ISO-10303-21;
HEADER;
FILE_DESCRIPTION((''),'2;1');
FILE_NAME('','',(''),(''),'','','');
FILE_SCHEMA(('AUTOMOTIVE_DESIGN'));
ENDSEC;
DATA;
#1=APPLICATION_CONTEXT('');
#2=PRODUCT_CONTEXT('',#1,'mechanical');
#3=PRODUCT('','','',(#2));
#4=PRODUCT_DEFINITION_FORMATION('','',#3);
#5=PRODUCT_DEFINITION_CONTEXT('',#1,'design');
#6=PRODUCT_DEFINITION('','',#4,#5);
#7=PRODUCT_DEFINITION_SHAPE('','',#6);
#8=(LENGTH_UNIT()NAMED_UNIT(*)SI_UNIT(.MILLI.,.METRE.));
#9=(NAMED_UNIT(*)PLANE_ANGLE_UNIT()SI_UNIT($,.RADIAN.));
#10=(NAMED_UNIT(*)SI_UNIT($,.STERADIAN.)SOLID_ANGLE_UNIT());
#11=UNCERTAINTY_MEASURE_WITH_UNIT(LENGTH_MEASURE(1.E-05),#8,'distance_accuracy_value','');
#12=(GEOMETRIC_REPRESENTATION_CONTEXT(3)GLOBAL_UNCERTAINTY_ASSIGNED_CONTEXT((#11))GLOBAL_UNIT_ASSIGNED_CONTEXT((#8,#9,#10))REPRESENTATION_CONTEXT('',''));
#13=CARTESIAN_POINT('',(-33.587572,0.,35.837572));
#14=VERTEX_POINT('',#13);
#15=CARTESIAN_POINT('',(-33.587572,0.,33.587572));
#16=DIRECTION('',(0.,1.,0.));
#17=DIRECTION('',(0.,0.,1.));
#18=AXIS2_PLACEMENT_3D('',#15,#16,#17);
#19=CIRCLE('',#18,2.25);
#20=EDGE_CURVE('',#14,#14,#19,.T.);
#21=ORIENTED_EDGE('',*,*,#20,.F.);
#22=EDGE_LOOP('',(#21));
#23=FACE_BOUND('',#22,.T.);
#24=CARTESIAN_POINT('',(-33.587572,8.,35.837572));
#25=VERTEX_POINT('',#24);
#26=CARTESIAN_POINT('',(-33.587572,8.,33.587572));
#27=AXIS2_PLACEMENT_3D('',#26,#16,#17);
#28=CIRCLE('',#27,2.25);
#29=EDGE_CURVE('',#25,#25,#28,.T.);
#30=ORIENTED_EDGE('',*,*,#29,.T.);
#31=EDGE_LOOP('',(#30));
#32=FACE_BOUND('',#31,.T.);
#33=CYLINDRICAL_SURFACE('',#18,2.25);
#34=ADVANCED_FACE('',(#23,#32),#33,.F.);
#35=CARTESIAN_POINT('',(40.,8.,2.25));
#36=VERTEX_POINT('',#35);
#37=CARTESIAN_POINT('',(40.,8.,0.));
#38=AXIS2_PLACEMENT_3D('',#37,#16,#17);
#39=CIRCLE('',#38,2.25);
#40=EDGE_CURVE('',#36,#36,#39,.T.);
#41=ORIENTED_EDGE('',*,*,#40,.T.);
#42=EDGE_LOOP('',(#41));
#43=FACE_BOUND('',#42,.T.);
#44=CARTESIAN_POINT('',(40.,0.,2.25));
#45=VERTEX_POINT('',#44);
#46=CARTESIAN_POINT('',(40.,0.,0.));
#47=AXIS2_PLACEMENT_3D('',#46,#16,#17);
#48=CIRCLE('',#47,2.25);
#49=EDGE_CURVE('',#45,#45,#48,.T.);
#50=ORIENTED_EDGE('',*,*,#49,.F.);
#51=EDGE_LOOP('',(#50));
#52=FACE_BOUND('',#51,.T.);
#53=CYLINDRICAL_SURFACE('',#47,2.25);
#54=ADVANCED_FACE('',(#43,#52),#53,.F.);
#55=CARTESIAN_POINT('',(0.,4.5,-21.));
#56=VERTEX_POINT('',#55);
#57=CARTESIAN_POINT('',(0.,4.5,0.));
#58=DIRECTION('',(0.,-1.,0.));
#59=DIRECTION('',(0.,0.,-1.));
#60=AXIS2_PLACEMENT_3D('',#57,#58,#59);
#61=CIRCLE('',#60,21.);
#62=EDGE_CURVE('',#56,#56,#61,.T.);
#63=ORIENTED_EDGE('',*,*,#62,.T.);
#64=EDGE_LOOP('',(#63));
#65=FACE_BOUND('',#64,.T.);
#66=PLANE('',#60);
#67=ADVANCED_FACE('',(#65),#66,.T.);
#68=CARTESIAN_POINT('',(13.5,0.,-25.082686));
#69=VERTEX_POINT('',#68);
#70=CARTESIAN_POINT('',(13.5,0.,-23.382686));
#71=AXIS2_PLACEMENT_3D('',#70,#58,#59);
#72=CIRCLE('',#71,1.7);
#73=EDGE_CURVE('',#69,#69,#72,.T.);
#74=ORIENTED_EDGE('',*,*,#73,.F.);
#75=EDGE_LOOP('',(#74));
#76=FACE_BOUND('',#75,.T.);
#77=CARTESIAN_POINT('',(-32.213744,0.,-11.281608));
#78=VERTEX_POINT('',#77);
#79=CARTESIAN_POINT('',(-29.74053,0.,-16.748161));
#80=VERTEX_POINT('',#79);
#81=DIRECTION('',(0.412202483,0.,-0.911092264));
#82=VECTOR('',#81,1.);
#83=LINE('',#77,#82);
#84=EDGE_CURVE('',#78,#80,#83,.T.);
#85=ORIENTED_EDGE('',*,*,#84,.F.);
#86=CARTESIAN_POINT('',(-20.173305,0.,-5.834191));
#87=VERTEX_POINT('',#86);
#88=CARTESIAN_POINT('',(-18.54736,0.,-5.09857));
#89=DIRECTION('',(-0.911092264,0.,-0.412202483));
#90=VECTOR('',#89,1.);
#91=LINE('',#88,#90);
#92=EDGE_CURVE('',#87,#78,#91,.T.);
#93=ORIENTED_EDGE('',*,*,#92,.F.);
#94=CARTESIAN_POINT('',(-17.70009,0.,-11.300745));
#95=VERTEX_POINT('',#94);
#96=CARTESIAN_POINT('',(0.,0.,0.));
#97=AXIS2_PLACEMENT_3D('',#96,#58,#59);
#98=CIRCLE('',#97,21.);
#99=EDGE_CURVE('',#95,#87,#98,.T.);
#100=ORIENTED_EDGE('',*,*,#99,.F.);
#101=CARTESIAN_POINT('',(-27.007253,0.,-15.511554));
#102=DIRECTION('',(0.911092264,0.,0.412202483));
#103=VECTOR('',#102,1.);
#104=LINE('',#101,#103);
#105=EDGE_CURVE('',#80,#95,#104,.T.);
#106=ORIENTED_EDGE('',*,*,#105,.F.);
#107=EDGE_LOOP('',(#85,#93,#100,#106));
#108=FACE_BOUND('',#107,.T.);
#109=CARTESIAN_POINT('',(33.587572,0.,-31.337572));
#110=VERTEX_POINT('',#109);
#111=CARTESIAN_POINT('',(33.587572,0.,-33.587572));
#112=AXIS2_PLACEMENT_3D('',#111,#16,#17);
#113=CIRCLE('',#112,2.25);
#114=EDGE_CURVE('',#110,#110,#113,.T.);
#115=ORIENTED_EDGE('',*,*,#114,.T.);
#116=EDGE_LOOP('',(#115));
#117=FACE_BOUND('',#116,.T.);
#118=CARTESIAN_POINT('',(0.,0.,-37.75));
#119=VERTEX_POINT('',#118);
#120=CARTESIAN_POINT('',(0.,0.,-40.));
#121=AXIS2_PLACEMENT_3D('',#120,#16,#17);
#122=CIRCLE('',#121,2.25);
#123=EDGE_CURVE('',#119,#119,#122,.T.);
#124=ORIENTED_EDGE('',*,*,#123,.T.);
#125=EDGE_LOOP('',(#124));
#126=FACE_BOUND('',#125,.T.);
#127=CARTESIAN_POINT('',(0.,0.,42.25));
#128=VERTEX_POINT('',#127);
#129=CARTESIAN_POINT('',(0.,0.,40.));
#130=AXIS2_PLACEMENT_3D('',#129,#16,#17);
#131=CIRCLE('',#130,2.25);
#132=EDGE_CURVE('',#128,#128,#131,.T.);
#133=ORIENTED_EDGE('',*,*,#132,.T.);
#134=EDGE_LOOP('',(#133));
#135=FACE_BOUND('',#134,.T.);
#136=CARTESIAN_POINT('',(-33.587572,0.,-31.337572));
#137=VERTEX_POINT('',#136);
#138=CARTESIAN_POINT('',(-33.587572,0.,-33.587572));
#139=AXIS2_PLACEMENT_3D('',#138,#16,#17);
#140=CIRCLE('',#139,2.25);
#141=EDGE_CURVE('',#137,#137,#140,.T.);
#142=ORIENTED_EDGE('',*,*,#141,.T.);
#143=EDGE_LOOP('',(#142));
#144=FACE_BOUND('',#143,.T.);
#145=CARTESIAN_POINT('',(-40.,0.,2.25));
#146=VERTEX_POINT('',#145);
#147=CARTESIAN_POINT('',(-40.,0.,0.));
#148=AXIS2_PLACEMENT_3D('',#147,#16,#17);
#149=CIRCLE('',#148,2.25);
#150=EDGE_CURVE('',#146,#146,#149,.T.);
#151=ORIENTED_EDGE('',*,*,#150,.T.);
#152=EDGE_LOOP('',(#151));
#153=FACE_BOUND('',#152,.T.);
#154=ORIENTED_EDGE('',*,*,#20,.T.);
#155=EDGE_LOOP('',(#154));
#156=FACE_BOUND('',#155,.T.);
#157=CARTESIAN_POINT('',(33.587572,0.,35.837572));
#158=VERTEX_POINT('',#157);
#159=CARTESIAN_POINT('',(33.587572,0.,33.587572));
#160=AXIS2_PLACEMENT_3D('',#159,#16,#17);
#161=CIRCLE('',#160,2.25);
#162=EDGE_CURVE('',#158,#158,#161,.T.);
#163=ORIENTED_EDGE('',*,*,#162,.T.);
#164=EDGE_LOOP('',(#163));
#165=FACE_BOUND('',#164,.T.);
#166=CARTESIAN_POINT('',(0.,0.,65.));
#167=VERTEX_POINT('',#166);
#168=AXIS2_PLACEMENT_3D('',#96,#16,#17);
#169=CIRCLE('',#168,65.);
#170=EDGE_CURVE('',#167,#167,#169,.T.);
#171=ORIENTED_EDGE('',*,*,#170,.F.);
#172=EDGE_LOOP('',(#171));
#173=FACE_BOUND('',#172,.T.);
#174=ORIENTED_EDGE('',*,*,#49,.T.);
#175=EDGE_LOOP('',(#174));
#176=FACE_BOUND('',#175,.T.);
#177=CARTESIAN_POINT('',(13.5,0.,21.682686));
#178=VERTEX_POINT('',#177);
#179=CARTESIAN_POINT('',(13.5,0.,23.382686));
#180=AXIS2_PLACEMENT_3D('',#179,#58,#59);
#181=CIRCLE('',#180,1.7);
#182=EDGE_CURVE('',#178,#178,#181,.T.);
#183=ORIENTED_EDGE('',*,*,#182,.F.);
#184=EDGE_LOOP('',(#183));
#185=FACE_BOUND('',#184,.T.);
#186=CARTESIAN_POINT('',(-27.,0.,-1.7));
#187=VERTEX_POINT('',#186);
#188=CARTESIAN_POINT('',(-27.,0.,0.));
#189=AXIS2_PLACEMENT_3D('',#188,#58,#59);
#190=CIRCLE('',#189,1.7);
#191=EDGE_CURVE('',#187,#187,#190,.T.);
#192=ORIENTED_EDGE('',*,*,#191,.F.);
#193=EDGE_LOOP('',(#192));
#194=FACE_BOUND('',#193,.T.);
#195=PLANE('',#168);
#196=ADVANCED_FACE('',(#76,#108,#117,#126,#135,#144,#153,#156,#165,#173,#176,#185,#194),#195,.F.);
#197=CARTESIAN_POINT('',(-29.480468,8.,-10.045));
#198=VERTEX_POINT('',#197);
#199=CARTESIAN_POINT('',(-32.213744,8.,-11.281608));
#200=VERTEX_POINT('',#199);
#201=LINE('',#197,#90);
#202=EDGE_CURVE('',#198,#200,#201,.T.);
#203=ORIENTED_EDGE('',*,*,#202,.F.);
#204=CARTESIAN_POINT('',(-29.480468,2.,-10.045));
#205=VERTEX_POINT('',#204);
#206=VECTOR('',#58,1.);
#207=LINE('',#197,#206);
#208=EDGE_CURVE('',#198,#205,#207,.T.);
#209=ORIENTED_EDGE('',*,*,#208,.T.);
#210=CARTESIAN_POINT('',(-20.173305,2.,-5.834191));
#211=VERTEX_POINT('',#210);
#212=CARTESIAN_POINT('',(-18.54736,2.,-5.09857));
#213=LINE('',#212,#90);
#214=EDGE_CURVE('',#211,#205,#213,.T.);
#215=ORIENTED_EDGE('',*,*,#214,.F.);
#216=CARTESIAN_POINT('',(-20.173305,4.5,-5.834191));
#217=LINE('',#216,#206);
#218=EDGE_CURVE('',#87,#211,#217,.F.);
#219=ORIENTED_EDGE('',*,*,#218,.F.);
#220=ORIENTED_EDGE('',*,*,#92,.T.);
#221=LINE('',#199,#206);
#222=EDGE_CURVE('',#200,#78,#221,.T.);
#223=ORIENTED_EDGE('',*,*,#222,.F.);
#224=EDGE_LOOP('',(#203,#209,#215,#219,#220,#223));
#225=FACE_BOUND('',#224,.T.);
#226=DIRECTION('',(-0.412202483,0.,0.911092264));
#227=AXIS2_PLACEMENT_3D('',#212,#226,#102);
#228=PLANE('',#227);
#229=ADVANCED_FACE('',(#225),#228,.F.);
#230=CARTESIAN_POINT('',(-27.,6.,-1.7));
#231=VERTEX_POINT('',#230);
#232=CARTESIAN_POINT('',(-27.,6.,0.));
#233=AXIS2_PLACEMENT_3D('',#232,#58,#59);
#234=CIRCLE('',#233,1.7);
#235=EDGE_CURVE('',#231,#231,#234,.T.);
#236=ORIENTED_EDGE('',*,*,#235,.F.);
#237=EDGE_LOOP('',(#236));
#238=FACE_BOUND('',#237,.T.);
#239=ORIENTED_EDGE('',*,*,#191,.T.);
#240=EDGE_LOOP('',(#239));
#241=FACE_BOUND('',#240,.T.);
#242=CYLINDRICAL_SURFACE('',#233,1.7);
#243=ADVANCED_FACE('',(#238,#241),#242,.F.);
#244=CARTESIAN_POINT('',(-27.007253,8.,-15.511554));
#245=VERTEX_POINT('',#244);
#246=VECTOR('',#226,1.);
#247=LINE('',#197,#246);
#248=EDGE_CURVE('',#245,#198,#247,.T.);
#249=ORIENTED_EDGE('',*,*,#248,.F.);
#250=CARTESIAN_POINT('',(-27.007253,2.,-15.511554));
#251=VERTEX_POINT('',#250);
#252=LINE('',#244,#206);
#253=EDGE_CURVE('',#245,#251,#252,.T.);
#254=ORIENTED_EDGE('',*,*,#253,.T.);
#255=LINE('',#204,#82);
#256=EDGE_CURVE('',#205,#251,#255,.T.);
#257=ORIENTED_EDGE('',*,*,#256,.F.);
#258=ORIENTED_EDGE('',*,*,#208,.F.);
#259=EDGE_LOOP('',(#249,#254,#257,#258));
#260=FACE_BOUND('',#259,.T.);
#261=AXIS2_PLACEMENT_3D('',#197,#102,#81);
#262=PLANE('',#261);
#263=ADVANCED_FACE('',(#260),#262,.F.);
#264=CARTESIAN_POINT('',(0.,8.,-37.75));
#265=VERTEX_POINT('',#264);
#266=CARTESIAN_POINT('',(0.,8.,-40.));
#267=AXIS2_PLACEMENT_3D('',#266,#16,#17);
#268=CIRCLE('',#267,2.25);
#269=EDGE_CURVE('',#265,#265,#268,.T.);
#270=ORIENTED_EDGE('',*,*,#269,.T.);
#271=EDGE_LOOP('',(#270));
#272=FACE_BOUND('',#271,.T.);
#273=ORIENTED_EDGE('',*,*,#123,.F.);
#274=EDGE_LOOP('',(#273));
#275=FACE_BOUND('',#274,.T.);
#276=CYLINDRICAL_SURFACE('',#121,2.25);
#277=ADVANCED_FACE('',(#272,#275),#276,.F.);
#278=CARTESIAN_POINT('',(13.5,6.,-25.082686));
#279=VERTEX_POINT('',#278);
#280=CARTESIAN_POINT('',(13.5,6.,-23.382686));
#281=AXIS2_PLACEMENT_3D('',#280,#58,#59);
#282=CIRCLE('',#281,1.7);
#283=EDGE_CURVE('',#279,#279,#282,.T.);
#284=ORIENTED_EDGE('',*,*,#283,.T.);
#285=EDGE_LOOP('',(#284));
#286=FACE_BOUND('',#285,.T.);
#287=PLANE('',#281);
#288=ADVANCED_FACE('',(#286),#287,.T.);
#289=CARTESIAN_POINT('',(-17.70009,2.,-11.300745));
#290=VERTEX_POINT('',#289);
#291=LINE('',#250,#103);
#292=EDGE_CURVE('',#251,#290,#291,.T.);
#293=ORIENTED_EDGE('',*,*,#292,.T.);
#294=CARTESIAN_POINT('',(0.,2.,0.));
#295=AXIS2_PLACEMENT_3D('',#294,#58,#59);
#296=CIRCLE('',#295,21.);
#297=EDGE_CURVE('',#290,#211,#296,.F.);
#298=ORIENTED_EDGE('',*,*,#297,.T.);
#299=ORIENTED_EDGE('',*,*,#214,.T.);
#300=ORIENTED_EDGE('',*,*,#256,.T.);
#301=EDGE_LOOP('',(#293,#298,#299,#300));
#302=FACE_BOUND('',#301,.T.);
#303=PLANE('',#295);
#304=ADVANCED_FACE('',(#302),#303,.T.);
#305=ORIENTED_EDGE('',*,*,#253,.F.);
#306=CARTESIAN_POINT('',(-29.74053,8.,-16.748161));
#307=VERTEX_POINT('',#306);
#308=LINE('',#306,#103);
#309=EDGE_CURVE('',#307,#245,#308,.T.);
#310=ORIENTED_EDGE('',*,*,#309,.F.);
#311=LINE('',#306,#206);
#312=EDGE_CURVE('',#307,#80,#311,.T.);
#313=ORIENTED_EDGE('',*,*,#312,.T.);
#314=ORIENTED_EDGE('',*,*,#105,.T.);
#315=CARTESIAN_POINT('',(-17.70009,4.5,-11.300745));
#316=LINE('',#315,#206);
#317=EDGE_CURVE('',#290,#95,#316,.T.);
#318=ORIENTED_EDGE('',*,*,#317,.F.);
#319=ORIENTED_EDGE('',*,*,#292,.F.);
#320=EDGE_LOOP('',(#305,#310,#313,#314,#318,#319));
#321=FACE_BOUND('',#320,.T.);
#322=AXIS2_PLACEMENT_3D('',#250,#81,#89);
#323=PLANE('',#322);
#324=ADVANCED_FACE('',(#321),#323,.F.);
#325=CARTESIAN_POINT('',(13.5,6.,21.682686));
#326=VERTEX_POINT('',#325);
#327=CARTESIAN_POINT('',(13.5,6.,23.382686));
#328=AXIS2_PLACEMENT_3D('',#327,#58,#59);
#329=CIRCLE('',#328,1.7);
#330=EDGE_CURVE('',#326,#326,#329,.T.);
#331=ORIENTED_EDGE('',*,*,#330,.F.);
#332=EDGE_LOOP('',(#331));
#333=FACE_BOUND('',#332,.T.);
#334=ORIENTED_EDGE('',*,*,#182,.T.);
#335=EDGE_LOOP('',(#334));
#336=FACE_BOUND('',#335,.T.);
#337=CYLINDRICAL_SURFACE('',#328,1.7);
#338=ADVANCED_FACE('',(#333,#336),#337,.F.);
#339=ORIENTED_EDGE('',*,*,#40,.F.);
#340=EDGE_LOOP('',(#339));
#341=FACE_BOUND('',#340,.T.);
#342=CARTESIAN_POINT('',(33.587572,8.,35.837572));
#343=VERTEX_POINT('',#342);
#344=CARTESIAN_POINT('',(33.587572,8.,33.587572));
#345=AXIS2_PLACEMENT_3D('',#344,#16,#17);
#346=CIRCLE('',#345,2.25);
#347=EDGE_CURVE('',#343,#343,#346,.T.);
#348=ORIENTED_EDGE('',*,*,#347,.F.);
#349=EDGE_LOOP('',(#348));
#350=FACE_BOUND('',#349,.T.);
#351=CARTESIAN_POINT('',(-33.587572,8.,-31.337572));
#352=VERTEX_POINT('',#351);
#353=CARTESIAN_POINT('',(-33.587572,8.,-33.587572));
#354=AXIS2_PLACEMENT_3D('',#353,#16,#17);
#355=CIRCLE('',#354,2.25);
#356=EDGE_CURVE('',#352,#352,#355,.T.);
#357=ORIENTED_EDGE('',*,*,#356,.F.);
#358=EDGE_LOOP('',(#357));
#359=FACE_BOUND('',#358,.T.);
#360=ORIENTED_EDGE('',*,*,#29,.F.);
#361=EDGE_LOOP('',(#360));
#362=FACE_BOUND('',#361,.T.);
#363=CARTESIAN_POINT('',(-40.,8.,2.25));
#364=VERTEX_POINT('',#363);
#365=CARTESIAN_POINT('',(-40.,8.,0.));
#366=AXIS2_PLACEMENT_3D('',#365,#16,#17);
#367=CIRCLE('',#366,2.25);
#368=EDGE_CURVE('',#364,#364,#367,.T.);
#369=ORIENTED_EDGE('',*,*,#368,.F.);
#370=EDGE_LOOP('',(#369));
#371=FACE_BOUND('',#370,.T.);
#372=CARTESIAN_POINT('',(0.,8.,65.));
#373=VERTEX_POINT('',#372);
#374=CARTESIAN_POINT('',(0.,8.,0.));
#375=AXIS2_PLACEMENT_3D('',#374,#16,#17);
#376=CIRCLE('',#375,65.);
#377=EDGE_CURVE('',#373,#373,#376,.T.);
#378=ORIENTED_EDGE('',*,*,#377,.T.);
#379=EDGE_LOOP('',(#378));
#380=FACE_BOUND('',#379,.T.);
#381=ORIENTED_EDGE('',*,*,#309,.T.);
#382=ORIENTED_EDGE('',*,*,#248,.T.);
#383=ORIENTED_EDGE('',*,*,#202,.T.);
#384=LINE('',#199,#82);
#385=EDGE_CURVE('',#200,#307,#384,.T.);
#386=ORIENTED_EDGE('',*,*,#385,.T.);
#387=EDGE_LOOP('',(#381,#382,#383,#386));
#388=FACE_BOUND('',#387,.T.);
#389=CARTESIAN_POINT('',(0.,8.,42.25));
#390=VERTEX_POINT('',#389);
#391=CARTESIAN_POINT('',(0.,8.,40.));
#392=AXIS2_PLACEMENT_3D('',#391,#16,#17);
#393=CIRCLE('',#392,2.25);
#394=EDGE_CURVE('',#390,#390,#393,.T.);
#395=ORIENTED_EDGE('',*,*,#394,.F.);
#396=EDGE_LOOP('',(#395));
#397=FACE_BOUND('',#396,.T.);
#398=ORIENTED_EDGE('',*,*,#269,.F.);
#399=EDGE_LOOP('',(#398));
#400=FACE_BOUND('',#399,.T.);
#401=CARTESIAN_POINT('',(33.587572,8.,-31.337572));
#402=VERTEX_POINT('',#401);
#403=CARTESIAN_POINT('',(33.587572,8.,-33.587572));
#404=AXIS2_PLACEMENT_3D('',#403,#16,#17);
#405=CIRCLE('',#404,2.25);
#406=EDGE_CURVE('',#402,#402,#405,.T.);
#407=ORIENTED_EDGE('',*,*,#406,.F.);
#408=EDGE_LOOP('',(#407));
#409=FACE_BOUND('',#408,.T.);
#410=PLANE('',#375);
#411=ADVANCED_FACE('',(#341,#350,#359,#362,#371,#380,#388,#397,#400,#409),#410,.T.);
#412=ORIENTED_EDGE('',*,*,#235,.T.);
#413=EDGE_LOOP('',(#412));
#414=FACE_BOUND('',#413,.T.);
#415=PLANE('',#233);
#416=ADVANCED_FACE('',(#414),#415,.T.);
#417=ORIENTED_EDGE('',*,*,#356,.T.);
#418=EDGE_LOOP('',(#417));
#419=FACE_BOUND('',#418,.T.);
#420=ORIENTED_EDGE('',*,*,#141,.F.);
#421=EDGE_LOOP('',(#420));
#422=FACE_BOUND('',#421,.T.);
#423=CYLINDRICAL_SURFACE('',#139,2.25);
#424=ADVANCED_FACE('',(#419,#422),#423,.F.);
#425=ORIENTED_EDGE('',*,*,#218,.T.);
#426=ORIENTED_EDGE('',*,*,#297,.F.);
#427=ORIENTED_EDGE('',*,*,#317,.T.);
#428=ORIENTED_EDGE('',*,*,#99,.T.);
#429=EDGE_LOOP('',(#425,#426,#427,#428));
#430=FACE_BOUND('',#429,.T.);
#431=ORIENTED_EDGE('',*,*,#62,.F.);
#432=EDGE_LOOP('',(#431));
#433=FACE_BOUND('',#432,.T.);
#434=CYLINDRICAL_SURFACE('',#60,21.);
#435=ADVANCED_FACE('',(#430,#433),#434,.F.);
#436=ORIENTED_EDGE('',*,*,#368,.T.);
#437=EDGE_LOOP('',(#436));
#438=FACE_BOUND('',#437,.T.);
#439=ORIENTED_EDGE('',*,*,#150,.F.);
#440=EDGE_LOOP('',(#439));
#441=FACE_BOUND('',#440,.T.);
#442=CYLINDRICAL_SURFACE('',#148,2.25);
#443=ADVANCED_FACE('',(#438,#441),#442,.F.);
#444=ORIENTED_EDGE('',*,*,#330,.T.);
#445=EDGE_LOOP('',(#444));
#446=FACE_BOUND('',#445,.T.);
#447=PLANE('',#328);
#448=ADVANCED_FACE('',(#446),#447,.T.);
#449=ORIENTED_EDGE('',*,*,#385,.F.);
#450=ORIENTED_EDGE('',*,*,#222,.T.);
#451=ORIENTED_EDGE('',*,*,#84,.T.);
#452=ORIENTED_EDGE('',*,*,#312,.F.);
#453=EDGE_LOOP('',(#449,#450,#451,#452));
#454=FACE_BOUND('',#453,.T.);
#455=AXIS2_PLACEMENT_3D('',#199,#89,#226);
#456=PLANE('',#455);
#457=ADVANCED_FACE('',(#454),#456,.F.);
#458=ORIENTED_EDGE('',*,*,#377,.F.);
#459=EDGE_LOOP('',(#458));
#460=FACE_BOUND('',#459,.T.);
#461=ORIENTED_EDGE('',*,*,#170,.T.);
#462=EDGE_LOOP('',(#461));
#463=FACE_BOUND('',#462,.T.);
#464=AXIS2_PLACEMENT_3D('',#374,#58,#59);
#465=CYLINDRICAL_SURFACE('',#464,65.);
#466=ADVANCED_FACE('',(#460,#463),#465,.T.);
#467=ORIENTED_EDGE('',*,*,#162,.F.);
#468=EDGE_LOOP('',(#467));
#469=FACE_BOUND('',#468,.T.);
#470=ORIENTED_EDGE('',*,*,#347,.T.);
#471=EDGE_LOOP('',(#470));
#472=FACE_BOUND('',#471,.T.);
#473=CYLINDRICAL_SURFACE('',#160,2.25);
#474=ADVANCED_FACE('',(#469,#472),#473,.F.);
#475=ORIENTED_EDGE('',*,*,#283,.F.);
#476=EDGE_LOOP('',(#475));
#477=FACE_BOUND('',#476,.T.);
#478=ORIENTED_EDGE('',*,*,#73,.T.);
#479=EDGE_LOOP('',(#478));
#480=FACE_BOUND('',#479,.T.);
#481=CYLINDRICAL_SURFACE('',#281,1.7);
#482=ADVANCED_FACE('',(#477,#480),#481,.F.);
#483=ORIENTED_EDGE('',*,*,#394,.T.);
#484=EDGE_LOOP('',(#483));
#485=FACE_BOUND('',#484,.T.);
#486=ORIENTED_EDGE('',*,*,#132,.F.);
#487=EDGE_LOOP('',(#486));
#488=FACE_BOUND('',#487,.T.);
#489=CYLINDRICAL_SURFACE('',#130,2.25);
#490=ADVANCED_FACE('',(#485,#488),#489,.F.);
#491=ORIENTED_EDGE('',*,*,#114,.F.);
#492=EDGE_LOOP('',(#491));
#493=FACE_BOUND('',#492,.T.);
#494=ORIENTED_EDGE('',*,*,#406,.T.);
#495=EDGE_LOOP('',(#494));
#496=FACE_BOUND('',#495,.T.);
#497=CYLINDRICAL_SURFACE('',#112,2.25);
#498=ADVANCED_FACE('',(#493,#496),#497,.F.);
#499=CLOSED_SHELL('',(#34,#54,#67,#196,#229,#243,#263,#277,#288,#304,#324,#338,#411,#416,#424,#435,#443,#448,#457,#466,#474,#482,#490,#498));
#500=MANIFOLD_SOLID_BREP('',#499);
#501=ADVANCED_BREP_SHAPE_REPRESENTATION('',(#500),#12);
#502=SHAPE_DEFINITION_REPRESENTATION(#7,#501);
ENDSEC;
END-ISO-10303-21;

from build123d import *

# Parameters (mm, degrees)
SKETCH2_R           = 65
BOSS_EXTRUDE1_DEPTH = 8
SKETCH3_R           = 21
CUT_EXTRUDE1_DEPTH  = 4.5
SKETCH4_R           = 2.25
CUT_EXTRUDE2_DEPTH  = 93.271338995
SKETCH5_R           = 2.25
CUT_EXTRUDE3_DEPTH  = 93.271338995
PATH_TRENCH_DEPTH   = 2
CDG_R               = 1.7
CDG_CUT_DEPTH       = 6
CUT_EXTRUDE4_DEPTH  = 93.271338995


with BuildPart() as part:
    # Sketch2 → Boss-Extrude1 (new body)
    with BuildSketch(Plane(origin=(0, 0, 0), x_dir=(1, 0, 0), z_dir=(0, 1, 0))):
        with Locations(Location((0, 0, 0), (0, 0, 270))):
            Circle(SKETCH2_R)
    extrude(amount=BOSS_EXTRUDE1_DEPTH)

    # Sketch3 → Cut-Extrude1 (cut)
    with BuildSketch(Plane.XZ):
        with Locations(Location((0, 0, 0), (0, 0, 270))):
            Circle(SKETCH3_R)
    extrude(amount=-CUT_EXTRUDE1_DEPTH, mode=Mode.SUBTRACT)

    # Sketch4 → Cut-Extrude2 (cut, through all)
    with BuildSketch(Plane(origin=(0, 8, 0), x_dir=(1, 0, 0), z_dir=(0, 1, 0))):
        with Locations(Location((-40, 0, 0), (0, 0, 270))):
            Circle(SKETCH4_R)
        with Locations(Location((0, 40, 0), (0, 0, 270))):
            Circle(SKETCH4_R)
        with Locations(Location((40, 0, 0), (0, 0, 270))):
            Circle(SKETCH4_R)
        with Locations(Location((0, -40, 0), (0, 0, 270))):
            Circle(SKETCH4_R)
    extrude(amount=-CUT_EXTRUDE2_DEPTH, mode=Mode.SUBTRACT)

    # Sketch5 → Cut-Extrude3 (cut, through all)
    with BuildSketch(Plane(origin=(0, 8, 0), x_dir=(1, 0, 0), z_dir=(0, 1, 0))):
        with Locations(Location((-33.587572106, 33.587572106, 0), (0, 0, 270))):
            Circle(SKETCH5_R)
        with Locations(Location((33.587572106, 33.587572106, 0), (0, 0, 270))):
            Circle(SKETCH5_R)
        with Locations(Location((33.587572106, -33.587572106, 0), (0, 0, 270))):
            Circle(SKETCH5_R)
        with Locations(Location((-33.587572106, -33.587572106, 0), (0, 0, 270))):
            Circle(SKETCH5_R)
    extrude(amount=-CUT_EXTRUDE3_DEPTH, mode=Mode.SUBTRACT)

    # Sketch6 → path_trench (cut)
    with BuildSketch(Plane.XZ):
        Polygon((-29.480467623, -10.045000187), (-27.007252724, -15.511553769), (-16.07414556, -10.565123971), (-18.547360459, -5.098570389), align=None)
    extrude(amount=-PATH_TRENCH_DEPTH, mode=Mode.SUBTRACT)

    # CDG → CDG_CUT (cut)
    with BuildSketch(Plane.XZ):
        with Locations(Location((-27, 0, 0), (0, 0, 270))):
            Circle(CDG_R)
        with Locations(Location((13.5, 23.382685902, 0), (0, 0, 270))):
            Circle(CDG_R)
        with Locations(Location((13.5, -23.382685902, 0), (0, 0, 270))):
            Circle(CDG_R)
    extrude(amount=-CDG_CUT_DEPTH, mode=Mode.SUBTRACT)

    # Sketch7 → Cut-Extrude4 (cut, through all)
    with BuildSketch(Plane.XZ):
        Polygon((-29.480467623, -10.045000187), (-32.213744414, -11.281607636), (-29.740529515, -16.748161218), (-27.007252724, -15.511553769), align=None)
    extrude(amount=-CUT_EXTRUDE4_DEPTH, mode=Mode.SUBTRACT)


solid = part.part
